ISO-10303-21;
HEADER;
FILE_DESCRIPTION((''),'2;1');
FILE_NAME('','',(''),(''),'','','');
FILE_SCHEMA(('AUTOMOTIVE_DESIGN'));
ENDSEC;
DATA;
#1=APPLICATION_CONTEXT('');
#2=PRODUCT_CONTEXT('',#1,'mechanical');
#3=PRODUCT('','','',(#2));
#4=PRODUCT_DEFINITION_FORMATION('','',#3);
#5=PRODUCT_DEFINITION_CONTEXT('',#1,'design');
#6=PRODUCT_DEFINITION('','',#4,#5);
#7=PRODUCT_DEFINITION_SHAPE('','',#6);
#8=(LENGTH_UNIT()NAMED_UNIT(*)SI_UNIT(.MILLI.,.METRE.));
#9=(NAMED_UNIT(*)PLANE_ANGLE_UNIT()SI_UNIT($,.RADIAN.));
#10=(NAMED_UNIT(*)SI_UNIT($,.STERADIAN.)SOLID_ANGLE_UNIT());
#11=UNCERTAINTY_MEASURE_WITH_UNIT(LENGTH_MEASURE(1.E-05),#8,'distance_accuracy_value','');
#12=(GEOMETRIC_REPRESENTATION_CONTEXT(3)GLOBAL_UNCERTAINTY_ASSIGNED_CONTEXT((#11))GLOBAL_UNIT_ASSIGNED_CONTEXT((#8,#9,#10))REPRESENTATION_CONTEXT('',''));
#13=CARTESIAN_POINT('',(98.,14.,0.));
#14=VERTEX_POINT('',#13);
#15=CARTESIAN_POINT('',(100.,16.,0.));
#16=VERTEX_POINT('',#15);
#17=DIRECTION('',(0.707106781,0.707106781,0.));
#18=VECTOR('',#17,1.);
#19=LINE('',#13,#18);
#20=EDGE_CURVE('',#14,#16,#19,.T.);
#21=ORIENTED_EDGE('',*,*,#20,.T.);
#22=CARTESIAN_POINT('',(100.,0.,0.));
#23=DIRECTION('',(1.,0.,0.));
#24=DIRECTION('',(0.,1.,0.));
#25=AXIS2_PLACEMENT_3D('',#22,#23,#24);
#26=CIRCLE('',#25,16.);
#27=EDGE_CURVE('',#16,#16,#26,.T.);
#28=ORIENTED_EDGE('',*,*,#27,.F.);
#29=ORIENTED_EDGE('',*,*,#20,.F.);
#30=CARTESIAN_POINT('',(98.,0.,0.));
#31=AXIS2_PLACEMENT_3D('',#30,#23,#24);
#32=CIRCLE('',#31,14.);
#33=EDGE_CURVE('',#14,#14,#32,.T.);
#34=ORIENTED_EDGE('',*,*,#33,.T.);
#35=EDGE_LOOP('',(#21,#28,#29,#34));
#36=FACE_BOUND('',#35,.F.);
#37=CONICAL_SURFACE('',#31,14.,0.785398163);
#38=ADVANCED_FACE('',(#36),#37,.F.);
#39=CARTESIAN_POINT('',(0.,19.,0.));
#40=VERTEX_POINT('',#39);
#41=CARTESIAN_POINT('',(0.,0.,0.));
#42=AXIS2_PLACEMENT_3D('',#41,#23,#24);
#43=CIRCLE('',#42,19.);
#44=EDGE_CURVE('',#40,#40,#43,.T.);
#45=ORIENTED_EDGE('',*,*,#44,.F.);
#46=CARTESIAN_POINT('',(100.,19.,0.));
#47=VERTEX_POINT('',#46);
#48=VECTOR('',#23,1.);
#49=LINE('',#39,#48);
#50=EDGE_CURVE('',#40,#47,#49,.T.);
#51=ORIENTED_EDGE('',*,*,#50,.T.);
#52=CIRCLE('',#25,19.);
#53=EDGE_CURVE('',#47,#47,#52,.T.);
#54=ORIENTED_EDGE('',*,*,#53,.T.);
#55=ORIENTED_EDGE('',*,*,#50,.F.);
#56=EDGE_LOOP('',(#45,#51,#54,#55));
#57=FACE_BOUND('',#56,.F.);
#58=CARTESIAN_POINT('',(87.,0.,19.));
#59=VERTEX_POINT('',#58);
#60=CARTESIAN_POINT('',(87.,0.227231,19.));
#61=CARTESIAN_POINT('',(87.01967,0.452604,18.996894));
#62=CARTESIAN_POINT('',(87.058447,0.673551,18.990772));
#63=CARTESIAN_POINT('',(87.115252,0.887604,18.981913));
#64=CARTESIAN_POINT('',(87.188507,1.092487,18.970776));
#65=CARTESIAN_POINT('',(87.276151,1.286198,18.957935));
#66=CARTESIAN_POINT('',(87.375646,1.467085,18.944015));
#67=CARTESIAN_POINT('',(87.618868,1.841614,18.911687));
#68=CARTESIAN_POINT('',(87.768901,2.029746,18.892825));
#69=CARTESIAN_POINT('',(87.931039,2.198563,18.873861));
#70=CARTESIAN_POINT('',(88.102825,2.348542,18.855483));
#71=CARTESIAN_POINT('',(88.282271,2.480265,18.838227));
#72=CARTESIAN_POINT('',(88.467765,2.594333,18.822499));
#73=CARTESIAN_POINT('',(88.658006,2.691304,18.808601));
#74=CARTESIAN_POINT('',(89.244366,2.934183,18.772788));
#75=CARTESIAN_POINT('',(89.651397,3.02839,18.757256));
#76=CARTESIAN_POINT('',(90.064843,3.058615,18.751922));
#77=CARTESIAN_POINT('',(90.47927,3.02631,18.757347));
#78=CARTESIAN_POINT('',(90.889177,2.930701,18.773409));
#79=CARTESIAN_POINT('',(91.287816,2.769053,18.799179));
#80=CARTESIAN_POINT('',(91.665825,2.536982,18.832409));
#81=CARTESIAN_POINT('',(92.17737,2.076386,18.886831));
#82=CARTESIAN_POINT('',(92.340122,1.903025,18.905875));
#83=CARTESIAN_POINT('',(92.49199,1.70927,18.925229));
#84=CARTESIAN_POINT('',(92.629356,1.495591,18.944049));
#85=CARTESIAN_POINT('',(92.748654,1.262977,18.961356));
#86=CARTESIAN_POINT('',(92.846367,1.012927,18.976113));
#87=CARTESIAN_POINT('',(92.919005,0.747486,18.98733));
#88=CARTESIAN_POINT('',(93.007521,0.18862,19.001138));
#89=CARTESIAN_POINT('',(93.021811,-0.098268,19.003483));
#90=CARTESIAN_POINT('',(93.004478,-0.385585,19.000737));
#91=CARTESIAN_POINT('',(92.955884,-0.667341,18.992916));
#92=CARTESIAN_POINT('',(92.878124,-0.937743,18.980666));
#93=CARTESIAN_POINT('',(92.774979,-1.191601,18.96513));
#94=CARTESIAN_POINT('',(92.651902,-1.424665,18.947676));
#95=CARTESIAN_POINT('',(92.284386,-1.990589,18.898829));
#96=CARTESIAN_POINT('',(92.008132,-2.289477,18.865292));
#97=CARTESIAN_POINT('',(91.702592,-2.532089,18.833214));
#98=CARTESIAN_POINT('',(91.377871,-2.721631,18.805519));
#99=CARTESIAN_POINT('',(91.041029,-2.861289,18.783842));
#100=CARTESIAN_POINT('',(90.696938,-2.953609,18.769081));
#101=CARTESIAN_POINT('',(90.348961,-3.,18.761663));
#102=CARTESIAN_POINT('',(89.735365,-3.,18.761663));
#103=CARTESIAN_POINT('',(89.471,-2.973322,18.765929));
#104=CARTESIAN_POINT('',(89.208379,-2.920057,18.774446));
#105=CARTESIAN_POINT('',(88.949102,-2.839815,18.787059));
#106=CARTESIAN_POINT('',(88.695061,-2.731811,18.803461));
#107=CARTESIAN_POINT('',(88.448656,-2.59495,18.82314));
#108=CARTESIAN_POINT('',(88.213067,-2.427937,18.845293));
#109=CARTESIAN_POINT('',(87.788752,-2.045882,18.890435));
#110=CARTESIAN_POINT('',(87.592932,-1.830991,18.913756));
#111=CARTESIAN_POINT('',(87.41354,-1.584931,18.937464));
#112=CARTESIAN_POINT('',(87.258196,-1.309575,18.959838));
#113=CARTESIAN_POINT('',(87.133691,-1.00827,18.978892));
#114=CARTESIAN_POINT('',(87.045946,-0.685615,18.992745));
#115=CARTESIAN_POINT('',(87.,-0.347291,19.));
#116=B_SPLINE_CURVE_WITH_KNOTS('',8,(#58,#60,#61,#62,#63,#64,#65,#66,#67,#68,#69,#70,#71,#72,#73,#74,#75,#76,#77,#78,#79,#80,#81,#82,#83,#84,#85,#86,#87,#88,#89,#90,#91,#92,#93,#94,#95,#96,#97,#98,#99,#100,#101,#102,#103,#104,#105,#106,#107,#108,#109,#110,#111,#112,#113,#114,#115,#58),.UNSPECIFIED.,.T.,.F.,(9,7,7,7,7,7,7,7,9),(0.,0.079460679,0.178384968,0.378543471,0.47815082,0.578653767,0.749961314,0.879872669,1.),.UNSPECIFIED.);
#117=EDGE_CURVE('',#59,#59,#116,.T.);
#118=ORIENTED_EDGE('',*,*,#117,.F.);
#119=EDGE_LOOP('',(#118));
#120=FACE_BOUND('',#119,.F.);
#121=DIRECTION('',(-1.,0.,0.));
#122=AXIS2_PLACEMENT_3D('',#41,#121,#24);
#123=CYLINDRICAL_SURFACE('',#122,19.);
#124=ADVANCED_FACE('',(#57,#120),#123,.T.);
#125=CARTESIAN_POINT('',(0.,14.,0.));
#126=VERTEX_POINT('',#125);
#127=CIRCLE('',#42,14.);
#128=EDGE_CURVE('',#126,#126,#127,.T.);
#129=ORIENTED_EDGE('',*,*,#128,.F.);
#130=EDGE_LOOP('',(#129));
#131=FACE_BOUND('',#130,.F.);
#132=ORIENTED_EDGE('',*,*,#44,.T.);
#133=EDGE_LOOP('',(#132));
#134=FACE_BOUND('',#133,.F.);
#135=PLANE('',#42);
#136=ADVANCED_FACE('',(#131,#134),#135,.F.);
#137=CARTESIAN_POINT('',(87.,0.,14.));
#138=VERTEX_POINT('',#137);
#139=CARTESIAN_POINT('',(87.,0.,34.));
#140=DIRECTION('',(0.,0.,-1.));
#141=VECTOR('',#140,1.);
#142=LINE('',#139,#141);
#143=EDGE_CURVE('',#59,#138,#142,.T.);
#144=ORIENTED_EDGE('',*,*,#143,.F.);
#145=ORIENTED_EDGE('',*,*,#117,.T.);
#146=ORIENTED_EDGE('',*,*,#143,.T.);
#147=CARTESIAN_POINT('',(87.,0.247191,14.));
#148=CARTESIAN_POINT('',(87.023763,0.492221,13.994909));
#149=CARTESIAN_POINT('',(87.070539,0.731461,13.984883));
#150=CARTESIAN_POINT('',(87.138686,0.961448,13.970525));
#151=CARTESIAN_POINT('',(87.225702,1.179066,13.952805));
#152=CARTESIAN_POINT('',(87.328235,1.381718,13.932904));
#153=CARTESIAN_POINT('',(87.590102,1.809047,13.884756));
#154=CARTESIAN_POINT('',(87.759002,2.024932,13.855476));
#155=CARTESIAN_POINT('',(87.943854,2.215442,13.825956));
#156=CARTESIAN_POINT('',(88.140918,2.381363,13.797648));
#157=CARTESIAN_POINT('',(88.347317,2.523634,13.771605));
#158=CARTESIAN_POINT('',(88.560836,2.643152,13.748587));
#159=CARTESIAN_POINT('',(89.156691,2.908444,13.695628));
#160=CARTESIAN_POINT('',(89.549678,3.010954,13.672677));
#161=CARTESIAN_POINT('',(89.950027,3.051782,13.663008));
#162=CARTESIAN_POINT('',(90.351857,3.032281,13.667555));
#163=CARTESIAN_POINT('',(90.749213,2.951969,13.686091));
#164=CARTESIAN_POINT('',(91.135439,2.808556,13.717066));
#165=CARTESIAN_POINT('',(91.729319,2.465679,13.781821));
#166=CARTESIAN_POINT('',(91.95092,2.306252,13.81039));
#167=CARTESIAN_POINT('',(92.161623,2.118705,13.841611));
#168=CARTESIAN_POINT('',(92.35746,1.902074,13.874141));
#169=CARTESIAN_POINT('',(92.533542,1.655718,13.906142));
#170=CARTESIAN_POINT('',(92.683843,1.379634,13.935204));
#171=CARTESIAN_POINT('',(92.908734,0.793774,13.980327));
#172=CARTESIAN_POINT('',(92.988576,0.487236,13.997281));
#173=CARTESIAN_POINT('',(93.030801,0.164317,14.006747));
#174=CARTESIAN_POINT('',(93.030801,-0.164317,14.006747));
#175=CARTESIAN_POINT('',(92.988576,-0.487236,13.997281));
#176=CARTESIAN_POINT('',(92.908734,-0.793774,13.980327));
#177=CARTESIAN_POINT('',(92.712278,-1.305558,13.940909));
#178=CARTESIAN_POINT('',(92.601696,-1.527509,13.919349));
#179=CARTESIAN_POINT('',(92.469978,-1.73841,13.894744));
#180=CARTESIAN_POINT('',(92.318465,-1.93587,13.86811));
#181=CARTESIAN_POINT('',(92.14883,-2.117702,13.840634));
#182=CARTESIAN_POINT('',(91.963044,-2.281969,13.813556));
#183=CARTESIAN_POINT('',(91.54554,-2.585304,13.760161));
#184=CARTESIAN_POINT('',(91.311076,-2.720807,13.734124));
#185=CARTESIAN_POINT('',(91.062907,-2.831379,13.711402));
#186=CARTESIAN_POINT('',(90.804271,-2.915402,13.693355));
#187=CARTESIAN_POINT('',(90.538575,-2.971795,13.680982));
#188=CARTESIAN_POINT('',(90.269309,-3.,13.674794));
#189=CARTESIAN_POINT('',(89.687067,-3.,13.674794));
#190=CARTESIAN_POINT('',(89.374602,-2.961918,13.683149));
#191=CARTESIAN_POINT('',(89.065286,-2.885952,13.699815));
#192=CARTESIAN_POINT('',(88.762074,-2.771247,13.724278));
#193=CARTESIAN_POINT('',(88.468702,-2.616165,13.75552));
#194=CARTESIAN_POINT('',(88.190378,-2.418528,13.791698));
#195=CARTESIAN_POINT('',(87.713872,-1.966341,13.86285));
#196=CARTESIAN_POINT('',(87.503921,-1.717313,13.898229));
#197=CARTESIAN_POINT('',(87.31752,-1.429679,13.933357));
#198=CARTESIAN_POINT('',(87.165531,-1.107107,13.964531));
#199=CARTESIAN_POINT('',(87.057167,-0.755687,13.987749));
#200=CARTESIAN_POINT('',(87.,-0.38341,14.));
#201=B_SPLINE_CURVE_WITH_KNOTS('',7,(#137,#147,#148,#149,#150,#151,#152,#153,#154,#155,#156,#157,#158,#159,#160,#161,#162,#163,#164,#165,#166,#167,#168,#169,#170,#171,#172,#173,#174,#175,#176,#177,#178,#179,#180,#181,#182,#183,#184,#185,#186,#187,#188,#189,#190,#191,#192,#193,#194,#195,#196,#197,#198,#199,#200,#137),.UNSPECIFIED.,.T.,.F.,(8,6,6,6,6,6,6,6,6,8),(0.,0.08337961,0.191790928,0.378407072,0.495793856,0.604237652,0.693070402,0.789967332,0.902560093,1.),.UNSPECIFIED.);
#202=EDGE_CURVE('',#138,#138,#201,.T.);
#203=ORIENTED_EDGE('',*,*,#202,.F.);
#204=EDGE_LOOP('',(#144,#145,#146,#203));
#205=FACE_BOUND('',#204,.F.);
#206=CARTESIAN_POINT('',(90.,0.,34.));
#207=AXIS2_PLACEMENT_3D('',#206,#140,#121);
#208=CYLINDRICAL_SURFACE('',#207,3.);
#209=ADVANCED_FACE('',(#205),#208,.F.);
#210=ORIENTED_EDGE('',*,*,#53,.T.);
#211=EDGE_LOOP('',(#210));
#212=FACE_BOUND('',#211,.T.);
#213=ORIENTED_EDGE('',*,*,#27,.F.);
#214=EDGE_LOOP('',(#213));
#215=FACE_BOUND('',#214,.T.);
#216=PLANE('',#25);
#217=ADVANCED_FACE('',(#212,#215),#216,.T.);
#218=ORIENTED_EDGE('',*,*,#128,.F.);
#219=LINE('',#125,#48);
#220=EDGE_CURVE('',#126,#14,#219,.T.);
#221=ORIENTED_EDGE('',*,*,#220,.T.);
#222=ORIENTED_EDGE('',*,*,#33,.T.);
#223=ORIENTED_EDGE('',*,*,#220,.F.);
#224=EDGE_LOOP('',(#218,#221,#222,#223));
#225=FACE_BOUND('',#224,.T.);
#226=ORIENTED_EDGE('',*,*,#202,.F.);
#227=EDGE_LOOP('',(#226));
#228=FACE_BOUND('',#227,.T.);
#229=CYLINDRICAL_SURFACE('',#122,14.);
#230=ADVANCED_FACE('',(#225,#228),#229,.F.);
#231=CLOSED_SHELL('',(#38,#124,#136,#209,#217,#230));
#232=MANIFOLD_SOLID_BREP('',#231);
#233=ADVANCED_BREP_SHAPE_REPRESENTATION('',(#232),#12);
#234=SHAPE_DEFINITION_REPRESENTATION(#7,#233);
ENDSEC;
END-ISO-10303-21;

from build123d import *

# Parameters (mm, degrees)
F0_R     = 19
F0_R_2   = 14
F1_DEPTH = 100
F4_SIZE2 = 2
F4_SIZE  = 2
F5_D     = 6
F5_DEPTH = 15


with BuildPart() as f1:
    # F0 (on Right) → F1 (new body)
    with BuildSketch(Plane.YZ):
        Circle(F0_R)
        Circle(F0_R_2, mode=Mode.SUBTRACT)
    extrude(amount=F1_DEPTH)

    # F4
    f4_edges = [f1.edges().sort_by_distance(p)[0] for p in [
        (100, -14, 0),
    ]]
    chamfer(f4_edges, length=F4_SIZE, length2=F4_SIZE2)

    # F5
    with Locations(Plane.XY.offset(19)):
        with Locations((90, 0)):
            Hole(F5_D / 2, depth=F5_DEPTH)


solid = f1.part
